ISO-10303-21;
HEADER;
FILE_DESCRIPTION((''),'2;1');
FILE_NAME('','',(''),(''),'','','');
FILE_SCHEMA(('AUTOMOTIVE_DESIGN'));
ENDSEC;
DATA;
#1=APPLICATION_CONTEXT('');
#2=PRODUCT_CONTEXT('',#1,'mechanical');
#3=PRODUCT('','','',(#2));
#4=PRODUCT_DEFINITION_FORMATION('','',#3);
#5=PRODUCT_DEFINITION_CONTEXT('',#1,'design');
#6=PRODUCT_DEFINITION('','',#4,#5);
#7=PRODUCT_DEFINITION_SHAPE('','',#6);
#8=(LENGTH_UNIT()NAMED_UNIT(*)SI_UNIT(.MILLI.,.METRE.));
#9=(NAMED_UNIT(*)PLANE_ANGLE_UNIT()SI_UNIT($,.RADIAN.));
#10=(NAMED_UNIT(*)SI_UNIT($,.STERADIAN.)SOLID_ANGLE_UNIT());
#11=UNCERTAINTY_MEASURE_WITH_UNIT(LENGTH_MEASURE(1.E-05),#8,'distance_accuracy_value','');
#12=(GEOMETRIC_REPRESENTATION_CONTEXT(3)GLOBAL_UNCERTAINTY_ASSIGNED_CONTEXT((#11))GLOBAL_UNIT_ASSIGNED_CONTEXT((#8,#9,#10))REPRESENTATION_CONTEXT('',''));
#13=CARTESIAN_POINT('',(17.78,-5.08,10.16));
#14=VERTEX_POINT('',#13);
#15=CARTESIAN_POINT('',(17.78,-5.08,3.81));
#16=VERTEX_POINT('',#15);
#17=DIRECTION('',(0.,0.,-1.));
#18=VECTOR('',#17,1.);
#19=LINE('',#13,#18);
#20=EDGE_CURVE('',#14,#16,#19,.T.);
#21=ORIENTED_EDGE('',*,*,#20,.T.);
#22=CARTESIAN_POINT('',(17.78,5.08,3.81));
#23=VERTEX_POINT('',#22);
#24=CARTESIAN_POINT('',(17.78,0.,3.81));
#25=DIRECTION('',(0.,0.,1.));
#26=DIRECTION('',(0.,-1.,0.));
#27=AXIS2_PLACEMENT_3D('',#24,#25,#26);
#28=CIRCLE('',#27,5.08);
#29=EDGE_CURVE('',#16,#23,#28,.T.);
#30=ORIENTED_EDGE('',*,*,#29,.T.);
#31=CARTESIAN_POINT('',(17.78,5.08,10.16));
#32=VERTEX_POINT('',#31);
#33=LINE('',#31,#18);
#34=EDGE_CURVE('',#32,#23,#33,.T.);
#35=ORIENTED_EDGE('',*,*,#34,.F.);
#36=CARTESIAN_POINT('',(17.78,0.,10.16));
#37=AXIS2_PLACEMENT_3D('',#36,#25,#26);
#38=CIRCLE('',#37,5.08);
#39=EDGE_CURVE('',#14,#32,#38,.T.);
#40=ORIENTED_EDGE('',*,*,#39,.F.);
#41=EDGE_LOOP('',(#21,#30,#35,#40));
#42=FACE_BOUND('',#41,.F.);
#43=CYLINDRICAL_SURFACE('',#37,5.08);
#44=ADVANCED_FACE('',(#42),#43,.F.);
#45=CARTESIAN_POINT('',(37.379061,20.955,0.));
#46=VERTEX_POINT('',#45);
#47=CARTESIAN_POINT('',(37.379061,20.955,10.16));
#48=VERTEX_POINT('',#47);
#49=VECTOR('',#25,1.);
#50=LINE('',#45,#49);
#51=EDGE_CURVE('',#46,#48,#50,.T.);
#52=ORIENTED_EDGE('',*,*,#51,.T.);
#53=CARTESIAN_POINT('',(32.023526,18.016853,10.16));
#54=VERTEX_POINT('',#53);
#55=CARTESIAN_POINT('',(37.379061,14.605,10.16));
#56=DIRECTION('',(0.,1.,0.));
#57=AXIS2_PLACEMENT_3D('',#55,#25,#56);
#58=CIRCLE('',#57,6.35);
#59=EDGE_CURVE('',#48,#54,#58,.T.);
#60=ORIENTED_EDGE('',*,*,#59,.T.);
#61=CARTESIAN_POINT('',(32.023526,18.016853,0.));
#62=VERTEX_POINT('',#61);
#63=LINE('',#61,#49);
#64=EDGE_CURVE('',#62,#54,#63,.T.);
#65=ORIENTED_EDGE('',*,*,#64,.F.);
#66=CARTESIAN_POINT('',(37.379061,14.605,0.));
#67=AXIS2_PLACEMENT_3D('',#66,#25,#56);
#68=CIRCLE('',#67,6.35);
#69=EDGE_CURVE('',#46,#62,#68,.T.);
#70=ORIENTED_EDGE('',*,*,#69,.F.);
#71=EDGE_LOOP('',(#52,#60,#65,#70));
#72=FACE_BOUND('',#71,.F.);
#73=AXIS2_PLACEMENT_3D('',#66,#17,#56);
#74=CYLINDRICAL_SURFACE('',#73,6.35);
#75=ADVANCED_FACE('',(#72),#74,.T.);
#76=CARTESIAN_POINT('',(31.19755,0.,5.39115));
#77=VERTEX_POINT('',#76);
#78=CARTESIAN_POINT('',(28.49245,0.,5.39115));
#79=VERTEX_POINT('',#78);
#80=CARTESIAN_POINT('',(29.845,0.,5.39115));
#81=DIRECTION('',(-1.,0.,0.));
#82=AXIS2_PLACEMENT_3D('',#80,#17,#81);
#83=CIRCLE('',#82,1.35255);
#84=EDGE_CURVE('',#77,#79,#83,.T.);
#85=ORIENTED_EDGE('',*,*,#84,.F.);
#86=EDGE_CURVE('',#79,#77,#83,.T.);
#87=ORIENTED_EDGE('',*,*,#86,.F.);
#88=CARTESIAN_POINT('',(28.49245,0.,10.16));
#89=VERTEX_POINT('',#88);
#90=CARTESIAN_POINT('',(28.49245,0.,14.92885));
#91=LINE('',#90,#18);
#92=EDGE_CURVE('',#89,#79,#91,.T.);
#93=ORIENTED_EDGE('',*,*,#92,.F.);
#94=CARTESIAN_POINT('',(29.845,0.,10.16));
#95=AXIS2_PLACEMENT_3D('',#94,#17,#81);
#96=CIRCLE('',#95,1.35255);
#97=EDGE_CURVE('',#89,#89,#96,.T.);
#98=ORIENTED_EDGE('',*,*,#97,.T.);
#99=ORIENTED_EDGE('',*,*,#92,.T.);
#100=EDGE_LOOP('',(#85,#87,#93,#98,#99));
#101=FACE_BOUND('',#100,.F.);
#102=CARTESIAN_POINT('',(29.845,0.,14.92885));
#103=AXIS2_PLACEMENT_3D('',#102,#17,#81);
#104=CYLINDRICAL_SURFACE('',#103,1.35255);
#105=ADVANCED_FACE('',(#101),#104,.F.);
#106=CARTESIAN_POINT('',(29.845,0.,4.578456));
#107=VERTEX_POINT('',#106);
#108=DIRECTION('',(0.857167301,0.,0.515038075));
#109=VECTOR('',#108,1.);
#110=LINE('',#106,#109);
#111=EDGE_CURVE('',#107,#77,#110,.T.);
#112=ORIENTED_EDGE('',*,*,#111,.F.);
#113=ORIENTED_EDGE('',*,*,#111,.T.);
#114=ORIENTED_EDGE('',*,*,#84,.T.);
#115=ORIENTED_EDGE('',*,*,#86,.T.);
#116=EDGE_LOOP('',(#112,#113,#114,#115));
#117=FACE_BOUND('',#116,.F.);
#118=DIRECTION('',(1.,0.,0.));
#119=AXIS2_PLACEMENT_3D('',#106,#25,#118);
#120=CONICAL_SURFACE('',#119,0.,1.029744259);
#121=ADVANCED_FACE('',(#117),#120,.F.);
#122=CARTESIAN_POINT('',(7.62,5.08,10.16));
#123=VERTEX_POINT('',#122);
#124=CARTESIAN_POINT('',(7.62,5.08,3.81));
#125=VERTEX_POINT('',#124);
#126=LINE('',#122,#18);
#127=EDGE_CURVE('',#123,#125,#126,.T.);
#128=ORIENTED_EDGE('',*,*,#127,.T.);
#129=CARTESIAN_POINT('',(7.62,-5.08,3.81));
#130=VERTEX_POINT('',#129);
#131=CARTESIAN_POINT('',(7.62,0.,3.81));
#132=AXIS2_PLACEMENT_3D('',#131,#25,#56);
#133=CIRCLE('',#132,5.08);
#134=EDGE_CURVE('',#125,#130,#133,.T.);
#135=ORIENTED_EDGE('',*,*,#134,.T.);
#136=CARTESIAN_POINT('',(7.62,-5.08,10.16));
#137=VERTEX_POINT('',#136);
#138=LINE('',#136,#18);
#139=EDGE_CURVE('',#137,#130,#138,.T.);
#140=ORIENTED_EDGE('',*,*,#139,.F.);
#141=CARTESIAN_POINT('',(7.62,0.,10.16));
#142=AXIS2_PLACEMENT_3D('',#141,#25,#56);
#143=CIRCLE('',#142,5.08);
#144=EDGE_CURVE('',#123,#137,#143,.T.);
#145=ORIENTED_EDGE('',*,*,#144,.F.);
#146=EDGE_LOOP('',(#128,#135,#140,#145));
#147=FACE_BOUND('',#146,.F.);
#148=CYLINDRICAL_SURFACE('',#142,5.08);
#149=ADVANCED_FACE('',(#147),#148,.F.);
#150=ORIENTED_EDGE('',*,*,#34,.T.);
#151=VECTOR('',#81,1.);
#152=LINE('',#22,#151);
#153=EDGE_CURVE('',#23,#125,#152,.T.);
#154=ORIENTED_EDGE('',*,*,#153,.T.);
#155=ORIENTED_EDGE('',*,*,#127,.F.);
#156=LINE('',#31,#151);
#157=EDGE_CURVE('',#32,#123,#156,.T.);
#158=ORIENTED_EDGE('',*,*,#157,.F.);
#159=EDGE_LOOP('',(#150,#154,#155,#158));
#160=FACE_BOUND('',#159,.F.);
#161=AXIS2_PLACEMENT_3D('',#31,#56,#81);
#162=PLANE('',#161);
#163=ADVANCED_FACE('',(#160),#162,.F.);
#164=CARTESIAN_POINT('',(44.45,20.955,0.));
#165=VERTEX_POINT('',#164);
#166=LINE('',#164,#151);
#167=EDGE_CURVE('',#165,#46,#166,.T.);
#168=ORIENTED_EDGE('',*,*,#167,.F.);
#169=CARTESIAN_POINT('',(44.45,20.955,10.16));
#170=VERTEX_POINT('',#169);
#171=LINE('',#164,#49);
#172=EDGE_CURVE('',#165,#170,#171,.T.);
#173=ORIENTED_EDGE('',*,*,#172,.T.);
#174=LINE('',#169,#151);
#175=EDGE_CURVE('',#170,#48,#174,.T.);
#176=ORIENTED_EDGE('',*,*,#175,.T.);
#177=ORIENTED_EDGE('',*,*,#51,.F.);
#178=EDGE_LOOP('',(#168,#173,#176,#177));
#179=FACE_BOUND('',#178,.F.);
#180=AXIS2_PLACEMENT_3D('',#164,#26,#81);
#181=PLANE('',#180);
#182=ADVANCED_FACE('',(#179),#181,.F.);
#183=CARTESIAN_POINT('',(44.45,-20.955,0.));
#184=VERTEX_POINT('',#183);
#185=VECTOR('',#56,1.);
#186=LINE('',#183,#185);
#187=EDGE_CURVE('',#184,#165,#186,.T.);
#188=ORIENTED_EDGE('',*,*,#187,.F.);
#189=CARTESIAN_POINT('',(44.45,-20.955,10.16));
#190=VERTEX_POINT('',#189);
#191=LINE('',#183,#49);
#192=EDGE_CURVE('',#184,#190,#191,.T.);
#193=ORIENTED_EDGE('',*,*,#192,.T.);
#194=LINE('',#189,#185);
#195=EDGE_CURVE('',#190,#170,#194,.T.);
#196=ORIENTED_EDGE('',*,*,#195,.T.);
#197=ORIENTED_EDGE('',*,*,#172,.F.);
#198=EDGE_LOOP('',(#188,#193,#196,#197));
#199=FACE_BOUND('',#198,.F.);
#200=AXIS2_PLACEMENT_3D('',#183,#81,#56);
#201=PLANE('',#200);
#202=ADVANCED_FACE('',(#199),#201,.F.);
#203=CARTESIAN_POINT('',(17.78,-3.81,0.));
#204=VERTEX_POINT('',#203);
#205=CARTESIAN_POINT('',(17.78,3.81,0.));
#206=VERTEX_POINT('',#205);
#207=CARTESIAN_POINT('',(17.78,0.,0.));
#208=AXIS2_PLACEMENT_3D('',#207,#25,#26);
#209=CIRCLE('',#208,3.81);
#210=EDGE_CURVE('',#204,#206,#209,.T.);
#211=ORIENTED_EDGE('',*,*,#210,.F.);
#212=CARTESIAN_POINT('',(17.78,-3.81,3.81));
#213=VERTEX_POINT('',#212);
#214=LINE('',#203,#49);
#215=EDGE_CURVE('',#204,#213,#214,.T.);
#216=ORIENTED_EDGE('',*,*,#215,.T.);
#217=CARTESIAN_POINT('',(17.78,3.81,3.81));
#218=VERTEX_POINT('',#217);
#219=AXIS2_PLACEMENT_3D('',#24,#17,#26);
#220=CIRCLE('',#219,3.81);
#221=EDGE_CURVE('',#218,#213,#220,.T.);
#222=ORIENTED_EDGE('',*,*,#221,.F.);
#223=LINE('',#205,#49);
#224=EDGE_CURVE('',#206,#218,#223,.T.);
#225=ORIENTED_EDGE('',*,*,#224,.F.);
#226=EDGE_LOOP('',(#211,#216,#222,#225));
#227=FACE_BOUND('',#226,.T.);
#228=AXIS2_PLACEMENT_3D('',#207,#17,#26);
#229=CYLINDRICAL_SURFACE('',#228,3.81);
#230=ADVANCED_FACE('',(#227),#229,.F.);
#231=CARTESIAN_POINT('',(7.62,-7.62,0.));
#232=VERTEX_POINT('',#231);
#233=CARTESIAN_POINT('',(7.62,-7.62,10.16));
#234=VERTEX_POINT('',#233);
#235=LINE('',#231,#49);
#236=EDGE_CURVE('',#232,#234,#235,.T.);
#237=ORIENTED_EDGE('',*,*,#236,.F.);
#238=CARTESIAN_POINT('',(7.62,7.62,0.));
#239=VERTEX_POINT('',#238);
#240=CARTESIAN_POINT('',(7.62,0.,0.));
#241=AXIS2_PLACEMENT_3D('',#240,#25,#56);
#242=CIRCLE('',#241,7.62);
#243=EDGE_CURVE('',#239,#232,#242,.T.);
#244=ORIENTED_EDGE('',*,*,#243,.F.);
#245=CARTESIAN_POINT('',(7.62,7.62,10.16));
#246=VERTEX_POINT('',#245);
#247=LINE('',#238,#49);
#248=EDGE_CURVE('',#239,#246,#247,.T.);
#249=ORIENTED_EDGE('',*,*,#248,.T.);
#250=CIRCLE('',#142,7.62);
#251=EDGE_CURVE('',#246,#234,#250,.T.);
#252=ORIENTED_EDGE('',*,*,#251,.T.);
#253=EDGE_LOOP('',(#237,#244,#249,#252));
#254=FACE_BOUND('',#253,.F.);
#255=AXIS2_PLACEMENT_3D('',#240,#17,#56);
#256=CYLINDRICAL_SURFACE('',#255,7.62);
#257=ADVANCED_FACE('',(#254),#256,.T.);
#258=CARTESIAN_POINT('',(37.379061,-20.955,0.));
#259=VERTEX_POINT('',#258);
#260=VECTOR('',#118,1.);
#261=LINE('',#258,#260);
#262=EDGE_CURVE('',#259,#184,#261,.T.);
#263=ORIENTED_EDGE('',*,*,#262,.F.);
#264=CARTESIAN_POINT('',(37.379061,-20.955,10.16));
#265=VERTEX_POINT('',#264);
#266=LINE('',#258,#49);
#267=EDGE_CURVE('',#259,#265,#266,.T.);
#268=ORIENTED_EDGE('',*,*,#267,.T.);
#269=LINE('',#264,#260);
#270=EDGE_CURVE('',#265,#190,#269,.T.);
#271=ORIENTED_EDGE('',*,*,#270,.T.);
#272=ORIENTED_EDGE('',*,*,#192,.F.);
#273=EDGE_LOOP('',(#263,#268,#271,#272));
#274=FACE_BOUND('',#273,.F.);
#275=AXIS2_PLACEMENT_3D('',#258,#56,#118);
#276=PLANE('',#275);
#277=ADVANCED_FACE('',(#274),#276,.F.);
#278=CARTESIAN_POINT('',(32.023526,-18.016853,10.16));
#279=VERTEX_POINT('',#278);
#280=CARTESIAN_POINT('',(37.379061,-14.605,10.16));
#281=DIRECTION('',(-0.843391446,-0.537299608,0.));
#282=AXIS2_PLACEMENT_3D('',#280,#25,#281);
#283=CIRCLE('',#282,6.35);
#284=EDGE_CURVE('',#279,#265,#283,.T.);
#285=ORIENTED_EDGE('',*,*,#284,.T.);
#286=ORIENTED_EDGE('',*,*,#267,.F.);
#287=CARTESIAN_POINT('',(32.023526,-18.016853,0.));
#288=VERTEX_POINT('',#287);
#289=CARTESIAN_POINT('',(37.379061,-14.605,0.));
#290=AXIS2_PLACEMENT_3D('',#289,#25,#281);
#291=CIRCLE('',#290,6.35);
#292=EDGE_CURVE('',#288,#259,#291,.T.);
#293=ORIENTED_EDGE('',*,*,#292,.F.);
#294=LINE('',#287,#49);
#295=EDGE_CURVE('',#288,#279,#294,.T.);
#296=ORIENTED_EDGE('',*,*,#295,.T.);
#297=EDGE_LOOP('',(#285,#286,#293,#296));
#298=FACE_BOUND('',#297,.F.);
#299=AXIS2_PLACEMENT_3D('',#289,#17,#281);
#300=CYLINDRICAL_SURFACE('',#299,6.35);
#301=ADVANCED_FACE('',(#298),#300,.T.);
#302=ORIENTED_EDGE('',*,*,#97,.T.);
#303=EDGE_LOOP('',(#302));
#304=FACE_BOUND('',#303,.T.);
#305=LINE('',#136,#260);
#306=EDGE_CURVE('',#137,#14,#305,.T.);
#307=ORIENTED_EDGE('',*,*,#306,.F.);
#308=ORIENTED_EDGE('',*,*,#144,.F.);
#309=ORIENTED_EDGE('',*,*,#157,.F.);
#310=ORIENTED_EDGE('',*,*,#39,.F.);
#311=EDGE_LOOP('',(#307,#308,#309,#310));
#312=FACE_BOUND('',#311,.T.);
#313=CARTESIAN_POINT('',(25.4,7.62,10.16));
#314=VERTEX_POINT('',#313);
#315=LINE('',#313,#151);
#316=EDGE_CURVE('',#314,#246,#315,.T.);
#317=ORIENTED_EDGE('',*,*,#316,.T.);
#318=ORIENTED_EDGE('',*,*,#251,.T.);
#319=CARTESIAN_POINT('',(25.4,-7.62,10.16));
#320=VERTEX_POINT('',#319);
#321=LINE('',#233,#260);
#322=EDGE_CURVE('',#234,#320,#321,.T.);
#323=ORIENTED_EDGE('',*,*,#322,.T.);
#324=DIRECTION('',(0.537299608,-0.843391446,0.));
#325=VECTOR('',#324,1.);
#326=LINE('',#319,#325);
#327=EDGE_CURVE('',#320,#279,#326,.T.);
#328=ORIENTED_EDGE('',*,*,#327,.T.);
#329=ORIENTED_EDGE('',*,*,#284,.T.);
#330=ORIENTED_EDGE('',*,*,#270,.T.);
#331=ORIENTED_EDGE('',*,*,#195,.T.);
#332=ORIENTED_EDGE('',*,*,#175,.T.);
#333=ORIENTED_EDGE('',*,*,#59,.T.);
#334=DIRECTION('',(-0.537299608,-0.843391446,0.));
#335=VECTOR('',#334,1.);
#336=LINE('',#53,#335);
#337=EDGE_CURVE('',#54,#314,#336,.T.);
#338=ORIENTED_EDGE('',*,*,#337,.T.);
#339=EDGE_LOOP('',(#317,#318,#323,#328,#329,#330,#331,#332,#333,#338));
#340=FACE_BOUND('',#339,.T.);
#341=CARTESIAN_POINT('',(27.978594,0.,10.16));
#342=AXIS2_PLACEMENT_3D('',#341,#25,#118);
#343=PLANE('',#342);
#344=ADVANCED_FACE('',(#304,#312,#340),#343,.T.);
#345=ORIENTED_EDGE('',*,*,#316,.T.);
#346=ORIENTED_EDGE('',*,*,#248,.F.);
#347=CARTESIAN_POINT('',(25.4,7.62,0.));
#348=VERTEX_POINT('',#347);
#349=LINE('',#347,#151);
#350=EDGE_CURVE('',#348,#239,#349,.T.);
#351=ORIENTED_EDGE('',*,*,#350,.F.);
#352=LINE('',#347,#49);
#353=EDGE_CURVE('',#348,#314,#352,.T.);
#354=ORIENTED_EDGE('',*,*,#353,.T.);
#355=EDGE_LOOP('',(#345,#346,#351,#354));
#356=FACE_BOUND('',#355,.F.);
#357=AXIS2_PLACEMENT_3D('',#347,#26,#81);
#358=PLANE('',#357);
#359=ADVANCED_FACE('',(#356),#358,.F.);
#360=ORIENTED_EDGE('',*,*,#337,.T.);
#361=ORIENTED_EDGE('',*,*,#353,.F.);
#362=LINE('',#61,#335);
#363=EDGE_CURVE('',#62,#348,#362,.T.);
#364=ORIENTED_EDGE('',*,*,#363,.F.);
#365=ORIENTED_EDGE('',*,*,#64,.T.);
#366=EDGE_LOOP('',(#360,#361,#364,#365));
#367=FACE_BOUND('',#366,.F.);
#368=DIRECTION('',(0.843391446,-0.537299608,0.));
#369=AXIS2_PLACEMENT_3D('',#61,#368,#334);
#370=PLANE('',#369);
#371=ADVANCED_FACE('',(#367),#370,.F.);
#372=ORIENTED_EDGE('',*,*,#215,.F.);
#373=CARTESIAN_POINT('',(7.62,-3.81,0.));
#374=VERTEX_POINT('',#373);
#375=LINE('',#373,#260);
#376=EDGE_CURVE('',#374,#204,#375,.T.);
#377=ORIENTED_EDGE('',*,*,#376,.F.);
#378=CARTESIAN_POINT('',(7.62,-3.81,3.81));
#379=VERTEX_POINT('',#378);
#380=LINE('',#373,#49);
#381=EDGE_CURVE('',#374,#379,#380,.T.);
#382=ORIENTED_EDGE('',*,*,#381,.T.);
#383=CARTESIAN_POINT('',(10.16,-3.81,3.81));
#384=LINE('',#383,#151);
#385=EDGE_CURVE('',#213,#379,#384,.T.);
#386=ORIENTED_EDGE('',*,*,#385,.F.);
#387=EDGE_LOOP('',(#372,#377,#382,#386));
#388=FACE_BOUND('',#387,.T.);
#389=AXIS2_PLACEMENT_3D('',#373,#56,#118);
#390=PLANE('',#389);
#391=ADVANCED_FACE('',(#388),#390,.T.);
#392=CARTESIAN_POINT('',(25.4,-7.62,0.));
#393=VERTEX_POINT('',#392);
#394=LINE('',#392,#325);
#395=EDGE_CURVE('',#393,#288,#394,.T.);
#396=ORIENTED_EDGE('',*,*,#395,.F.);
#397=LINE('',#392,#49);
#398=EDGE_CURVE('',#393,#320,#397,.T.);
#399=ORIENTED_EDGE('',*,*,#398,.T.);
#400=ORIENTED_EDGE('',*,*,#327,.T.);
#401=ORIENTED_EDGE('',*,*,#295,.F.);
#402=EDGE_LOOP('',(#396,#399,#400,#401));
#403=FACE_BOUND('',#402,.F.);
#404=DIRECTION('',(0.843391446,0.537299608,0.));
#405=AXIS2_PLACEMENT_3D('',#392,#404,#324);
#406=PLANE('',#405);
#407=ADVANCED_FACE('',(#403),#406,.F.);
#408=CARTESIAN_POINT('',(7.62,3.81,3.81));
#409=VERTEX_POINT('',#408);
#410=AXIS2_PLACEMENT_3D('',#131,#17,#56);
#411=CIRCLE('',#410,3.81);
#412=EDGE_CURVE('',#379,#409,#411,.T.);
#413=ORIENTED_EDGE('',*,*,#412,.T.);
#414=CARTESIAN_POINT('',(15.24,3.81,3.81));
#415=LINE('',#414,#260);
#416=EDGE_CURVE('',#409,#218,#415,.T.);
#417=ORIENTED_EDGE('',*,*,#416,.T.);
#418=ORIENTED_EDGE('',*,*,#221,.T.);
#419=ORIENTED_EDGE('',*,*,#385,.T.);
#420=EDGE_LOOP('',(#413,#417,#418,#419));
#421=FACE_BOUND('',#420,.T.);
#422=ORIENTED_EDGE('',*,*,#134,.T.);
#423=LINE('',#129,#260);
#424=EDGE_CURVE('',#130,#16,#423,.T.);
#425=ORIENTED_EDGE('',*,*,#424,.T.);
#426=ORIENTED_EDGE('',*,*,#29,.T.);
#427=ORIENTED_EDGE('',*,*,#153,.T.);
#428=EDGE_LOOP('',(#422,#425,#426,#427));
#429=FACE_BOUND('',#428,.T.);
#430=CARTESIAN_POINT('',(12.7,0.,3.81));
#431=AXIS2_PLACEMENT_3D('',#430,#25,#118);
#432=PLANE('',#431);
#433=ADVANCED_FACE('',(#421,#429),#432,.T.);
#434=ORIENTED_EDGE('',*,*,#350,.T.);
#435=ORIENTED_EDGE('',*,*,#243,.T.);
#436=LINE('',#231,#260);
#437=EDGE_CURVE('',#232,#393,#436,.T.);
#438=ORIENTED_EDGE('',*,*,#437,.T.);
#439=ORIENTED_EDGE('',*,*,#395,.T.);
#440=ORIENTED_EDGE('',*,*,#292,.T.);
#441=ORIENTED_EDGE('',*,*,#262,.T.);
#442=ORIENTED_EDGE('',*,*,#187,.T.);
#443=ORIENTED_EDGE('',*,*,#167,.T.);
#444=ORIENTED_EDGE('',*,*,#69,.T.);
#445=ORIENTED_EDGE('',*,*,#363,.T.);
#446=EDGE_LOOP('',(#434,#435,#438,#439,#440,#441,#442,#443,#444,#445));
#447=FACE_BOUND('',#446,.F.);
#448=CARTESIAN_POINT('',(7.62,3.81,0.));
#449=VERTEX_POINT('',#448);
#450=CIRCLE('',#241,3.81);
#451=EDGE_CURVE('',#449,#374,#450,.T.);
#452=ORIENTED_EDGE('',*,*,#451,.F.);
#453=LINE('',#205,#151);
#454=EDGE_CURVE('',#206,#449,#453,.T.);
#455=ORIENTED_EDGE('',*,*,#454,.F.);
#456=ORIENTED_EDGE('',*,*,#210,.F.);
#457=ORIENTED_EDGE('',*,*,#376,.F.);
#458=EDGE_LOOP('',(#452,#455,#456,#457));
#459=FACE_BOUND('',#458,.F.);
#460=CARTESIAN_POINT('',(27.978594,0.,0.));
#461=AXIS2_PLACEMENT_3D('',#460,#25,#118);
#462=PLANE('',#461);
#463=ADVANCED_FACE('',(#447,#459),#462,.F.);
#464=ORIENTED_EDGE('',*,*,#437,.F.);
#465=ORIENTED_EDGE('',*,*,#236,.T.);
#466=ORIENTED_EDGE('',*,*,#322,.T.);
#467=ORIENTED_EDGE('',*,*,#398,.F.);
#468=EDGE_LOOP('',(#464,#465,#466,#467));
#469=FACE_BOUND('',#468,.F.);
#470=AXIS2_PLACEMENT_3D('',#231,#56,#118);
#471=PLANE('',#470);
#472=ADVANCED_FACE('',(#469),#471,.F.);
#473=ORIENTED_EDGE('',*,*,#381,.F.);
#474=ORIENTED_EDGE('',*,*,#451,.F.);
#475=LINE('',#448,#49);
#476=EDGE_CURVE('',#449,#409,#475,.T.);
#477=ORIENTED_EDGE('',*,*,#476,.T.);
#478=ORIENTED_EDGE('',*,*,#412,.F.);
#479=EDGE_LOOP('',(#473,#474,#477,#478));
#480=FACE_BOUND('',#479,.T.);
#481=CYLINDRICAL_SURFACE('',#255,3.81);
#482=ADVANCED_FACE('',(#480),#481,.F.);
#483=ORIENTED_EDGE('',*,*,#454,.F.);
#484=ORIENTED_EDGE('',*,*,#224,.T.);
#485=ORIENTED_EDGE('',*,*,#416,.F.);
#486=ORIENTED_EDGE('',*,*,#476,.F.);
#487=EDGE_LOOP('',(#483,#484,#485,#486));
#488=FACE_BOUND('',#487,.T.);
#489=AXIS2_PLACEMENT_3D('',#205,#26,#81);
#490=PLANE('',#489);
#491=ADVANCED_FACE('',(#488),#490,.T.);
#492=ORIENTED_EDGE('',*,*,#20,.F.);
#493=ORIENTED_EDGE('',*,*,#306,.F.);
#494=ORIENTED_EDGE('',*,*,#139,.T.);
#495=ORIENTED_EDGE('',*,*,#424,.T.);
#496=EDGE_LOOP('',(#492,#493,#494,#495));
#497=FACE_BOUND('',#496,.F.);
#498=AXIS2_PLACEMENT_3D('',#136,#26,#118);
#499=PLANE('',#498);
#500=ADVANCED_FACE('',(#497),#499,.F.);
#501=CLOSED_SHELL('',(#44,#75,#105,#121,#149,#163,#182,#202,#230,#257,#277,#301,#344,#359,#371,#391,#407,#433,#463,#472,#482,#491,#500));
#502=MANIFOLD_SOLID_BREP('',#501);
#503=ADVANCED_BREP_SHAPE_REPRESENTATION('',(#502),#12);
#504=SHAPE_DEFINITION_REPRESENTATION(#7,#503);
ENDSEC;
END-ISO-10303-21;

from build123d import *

# Parameters (mm, degrees)
F1_DEPTH = 10.16
F3_DEPTH = 6.35
F5_DEPTH = 10.161
F7_D     = 2.7051
F7_DEPTH = 4.76885
F7_TIP   = 0.8126940303


with BuildPart() as f1:
    # F0 (on Top) → F1 (new body)
    with BuildSketch(Plane.XY):
        with BuildLine():
            Line((25.4, 7.62), (7.62, 7.62))
            ThreePointArc((7.62, 7.62), (0, 0), (7.62, -7.62))
            Line((7.62, -7.62), (25.4, -7.62))
            Line((25.4, -7.62), (32.023525542, -18.016852513))
            ThreePointArc((32.023525542, -18.016852513), (34.3247825403, -20.1722148987), (37.3790612229, -20.955))
            Line((37.3790612229, -20.955), (44.45, -20.955))
            Line((44.45, -20.955), (44.45, 20.955))
            Line((44.45, 20.955), (37.3790612229, 20.955))
            ThreePointArc((37.3790612229, 20.955), (34.3247825403, 20.1722148987), (32.023525542, 18.016852513))
            Line((32.023525542, 18.016852513), (25.4, 7.62))
        make_face()
    extrude(amount=F1_DEPTH)

    # F2 (on face) → F3 (cut)
    with BuildSketch(Plane.XY.offset(10.16)):
        with BuildLine():
            ThreePointArc((7.62, 5.08), (2.54, 0), (7.62, -5.08))
            Line((7.62, -5.08), (17.78, -5.08))
            ThreePointArc((17.78, -5.08), (22.86, 0), (17.78, 5.08))
            Line((17.78, 5.08), (7.62, 5.08))
        make_face()
    extrude(amount=-F3_DEPTH, mode=Mode.SUBTRACT)

    # F4 (on Top) → F5 (cut, through all)
    with BuildSketch(Plane.XY):
        with BuildLine():
            ThreePointArc((7.62, 3.81), (3.81, 0), (7.62, -3.81))
            Line((7.62, -3.81), (17.78, -3.81))
            ThreePointArc((17.78, -3.81), (21.59, 0), (17.78, 3.81))
            Line((17.78, 3.81), (7.62, 3.81))
        make_face()
    extrude(amount=F5_DEPTH, mode=Mode.SUBTRACT)

    # F7
    with Locations(Plane.XY.offset(10.16)):
        with Locations((29.845, 0)):
            Hole(F7_D / 2, depth=F7_DEPTH)
            with Locations((0, 0, -(F7_DEPTH + F7_TIP / 2))):  # 118° drill point
                Cone(0, F7_D / 2, F7_TIP, mode=Mode.SUBTRACT)


solid = f1.part
